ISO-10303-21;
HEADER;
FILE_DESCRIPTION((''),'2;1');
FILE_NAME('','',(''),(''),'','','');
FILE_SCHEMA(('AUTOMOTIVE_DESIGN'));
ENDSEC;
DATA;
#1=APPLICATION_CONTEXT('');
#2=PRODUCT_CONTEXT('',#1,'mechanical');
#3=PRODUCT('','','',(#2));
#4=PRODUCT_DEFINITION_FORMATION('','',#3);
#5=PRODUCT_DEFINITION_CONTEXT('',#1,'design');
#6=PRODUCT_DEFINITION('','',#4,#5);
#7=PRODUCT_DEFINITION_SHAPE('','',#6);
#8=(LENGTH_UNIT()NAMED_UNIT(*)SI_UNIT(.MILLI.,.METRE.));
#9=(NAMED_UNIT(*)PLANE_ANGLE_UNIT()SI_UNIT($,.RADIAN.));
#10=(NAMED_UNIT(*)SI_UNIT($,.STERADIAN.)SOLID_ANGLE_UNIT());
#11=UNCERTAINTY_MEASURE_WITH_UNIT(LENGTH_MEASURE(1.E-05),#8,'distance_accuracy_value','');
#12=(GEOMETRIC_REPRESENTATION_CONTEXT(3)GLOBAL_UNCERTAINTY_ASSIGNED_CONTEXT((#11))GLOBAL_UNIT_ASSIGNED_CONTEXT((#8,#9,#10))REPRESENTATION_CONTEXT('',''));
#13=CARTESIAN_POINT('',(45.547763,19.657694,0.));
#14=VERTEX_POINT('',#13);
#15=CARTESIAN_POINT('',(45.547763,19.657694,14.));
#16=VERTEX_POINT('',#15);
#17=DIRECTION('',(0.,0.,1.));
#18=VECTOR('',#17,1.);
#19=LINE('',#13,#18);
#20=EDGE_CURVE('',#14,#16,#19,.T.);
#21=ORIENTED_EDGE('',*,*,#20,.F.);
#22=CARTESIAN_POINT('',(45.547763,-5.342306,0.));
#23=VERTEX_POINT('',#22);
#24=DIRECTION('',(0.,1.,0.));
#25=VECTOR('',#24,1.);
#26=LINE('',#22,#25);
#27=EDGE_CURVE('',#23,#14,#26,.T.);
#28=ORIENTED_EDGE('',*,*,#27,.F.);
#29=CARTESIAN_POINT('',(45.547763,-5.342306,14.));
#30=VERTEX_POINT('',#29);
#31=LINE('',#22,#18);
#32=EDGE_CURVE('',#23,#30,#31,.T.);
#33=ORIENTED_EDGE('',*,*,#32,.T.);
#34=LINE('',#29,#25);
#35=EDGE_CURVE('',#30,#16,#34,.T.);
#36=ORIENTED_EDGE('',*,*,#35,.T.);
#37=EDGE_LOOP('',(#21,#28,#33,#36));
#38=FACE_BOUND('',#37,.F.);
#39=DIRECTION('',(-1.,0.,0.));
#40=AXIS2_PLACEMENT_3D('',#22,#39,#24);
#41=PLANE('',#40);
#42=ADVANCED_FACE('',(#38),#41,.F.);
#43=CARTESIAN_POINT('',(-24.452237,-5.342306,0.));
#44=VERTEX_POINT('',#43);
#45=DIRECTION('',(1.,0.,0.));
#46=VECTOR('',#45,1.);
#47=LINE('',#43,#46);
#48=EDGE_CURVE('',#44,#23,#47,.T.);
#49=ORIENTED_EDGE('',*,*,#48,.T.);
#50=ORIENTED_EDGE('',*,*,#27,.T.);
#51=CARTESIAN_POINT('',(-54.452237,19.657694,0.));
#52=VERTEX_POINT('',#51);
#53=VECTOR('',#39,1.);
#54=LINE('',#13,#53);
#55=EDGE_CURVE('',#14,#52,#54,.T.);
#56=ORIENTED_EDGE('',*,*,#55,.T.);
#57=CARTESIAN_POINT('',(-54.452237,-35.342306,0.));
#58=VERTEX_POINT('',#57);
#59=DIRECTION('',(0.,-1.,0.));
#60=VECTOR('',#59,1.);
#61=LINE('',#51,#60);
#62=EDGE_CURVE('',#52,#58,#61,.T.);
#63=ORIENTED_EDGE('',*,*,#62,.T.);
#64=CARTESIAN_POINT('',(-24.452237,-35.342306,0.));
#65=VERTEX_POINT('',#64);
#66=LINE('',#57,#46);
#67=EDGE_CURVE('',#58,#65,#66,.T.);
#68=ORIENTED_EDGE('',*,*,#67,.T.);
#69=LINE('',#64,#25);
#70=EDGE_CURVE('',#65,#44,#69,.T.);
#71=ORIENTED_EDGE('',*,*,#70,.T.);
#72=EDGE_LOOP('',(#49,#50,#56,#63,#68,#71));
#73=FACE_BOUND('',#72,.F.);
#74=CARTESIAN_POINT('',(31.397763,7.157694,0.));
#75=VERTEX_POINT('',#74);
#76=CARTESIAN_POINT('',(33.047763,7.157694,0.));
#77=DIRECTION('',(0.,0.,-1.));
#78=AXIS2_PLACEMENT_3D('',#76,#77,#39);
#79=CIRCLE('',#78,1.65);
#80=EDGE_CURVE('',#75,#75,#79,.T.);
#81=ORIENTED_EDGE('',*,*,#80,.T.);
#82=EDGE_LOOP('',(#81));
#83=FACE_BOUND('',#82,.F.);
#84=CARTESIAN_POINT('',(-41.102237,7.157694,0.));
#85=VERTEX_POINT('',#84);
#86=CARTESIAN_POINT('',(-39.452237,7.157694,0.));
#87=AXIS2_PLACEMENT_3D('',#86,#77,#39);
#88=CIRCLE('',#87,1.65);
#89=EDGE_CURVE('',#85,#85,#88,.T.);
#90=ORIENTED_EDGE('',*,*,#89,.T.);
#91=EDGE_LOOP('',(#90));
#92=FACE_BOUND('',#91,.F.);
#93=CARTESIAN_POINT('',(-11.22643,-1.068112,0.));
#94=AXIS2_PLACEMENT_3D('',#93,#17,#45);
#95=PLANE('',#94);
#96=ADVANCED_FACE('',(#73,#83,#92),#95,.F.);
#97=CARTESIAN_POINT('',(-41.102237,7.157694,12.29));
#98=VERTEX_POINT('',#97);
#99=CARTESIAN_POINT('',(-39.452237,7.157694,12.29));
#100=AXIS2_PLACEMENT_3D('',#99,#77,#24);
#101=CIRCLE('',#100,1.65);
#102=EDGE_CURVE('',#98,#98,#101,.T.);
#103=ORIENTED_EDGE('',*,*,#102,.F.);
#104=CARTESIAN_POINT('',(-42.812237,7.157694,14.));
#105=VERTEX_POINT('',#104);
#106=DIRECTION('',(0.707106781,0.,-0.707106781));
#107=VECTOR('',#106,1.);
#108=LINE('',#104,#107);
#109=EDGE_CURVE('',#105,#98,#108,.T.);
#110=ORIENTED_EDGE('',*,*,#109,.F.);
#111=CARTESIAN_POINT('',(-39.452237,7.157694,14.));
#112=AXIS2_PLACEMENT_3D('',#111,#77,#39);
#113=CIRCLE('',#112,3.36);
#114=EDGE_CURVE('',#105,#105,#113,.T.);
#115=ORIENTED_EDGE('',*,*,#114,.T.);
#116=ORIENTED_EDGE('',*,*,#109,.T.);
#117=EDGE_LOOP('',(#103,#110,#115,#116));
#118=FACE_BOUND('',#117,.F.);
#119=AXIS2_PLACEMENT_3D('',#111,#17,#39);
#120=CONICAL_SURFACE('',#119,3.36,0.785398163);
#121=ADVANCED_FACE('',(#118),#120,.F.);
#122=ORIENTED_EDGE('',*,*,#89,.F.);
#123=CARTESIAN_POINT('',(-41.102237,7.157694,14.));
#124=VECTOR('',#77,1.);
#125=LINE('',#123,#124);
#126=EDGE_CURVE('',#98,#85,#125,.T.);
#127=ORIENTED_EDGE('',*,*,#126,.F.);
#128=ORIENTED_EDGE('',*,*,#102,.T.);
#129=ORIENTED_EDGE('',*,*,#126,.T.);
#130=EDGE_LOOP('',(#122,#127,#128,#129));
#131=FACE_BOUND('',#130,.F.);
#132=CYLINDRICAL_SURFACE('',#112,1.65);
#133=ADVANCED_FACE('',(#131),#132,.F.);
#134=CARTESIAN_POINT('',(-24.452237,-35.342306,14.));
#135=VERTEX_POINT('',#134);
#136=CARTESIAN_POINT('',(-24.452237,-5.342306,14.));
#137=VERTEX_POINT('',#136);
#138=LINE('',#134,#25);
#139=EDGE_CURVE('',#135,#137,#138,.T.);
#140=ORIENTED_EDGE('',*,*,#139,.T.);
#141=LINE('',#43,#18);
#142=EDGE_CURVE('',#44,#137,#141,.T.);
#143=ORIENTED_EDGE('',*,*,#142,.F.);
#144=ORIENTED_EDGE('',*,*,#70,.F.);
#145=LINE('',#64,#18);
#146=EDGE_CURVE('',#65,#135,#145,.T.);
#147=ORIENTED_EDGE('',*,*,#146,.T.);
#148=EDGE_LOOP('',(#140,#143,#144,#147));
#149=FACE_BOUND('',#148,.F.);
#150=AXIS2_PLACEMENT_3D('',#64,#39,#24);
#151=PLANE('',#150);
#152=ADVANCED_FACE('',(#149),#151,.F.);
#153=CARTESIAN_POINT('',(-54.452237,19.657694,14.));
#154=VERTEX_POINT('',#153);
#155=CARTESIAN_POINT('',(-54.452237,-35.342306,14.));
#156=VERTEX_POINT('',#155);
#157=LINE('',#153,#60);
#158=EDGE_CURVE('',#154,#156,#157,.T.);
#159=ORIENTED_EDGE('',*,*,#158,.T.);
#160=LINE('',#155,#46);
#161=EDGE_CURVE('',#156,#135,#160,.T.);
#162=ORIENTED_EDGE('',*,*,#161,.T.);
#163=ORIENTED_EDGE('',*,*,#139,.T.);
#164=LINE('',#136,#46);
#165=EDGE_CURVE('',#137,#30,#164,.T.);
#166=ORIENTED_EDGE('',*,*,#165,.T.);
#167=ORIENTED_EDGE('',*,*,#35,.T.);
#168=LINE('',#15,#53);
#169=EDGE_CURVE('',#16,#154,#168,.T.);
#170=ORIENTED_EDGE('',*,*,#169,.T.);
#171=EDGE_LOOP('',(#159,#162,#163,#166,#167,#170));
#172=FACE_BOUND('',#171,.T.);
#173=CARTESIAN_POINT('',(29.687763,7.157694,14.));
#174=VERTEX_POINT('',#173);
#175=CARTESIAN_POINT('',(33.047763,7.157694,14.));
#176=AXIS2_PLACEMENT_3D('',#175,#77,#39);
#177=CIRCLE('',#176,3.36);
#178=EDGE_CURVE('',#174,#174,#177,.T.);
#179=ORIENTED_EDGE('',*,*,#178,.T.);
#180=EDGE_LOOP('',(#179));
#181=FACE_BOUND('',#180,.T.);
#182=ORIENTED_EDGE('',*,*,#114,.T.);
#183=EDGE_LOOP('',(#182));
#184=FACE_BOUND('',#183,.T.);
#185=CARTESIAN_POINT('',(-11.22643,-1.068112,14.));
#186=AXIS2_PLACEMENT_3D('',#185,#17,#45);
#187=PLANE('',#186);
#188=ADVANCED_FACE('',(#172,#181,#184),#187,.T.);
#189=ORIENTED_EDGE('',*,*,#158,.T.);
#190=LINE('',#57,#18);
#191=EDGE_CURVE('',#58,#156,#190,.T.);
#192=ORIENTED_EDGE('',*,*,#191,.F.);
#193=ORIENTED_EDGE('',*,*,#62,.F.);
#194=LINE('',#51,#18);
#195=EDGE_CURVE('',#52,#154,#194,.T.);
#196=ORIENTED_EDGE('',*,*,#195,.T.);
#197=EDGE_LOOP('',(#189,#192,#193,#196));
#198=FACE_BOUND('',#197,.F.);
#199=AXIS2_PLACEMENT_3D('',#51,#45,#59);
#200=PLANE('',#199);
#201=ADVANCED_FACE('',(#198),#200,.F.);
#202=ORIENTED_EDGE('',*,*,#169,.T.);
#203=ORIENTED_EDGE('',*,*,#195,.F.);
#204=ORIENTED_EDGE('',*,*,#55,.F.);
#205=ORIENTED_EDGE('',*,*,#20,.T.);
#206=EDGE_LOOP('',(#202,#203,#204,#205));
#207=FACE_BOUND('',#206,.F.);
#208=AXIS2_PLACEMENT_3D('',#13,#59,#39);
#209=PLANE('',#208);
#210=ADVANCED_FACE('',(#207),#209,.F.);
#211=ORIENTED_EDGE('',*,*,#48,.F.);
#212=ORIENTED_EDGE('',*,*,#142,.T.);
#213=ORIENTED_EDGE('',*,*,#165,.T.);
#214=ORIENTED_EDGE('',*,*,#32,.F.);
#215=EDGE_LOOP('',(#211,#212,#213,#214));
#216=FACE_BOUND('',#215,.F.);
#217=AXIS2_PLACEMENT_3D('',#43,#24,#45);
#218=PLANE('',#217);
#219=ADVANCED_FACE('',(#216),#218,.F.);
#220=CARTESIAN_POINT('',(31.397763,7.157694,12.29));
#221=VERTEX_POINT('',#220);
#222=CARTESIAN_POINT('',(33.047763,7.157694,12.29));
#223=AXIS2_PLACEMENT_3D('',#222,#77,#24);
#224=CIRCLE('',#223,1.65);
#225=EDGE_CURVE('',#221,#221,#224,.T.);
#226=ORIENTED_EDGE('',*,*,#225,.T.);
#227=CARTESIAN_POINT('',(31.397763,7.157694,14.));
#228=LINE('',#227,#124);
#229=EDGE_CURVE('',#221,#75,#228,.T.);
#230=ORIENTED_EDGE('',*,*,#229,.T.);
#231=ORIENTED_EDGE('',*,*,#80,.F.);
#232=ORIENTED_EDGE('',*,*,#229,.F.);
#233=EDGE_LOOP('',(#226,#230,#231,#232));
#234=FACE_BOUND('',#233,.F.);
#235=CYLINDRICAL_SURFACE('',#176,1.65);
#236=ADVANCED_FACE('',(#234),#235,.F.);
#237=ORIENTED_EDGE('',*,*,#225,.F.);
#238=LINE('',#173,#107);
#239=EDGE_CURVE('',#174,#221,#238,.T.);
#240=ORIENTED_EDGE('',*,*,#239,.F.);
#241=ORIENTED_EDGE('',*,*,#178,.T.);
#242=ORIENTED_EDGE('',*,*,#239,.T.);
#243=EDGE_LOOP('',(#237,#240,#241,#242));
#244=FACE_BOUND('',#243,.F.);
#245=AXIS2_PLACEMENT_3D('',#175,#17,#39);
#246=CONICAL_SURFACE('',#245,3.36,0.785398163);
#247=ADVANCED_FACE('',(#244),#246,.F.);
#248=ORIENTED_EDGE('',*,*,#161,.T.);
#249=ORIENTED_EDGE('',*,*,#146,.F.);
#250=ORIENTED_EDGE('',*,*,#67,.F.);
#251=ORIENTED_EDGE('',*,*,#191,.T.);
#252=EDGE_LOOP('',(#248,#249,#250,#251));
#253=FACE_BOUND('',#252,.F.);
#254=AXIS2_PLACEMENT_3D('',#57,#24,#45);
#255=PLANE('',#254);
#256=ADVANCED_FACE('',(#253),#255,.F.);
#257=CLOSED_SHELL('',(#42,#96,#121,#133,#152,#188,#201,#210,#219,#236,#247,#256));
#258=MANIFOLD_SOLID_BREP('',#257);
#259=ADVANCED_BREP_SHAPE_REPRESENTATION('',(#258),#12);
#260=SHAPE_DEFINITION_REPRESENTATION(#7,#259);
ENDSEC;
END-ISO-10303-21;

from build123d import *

# Parameters (mm, degrees)
F1_DEPTH       = 14
F3_D           = 3.3
F3_CSINK_D     = 6.72
F3_CSINK_ANGLE = 90


with BuildPart() as f1:
    # F0 (on Top) → F1 (new body)
    with BuildSketch(Plane.XY):
        Polygon((45.5477632582, 19.6576939523), (-54.4522367418, 19.6576939523), (-54.4522367418, -35.3423060477), (-24.4522367418, -35.3423060477), (-24.4522367418, -5.3423060477), (45.5477632582, -5.3423060477), align=None)
    extrude(amount=F1_DEPTH)

    # F3 (through all)
    with Locations(Plane.XY.offset(14)):
        with Locations((-39.4522367418, 7.1576939523), (33.0477632582, 7.1576939523)):
            CounterSinkHole(F3_D / 2, F3_CSINK_D / 2, counter_sink_angle=F3_CSINK_ANGLE)


solid = f1.part
